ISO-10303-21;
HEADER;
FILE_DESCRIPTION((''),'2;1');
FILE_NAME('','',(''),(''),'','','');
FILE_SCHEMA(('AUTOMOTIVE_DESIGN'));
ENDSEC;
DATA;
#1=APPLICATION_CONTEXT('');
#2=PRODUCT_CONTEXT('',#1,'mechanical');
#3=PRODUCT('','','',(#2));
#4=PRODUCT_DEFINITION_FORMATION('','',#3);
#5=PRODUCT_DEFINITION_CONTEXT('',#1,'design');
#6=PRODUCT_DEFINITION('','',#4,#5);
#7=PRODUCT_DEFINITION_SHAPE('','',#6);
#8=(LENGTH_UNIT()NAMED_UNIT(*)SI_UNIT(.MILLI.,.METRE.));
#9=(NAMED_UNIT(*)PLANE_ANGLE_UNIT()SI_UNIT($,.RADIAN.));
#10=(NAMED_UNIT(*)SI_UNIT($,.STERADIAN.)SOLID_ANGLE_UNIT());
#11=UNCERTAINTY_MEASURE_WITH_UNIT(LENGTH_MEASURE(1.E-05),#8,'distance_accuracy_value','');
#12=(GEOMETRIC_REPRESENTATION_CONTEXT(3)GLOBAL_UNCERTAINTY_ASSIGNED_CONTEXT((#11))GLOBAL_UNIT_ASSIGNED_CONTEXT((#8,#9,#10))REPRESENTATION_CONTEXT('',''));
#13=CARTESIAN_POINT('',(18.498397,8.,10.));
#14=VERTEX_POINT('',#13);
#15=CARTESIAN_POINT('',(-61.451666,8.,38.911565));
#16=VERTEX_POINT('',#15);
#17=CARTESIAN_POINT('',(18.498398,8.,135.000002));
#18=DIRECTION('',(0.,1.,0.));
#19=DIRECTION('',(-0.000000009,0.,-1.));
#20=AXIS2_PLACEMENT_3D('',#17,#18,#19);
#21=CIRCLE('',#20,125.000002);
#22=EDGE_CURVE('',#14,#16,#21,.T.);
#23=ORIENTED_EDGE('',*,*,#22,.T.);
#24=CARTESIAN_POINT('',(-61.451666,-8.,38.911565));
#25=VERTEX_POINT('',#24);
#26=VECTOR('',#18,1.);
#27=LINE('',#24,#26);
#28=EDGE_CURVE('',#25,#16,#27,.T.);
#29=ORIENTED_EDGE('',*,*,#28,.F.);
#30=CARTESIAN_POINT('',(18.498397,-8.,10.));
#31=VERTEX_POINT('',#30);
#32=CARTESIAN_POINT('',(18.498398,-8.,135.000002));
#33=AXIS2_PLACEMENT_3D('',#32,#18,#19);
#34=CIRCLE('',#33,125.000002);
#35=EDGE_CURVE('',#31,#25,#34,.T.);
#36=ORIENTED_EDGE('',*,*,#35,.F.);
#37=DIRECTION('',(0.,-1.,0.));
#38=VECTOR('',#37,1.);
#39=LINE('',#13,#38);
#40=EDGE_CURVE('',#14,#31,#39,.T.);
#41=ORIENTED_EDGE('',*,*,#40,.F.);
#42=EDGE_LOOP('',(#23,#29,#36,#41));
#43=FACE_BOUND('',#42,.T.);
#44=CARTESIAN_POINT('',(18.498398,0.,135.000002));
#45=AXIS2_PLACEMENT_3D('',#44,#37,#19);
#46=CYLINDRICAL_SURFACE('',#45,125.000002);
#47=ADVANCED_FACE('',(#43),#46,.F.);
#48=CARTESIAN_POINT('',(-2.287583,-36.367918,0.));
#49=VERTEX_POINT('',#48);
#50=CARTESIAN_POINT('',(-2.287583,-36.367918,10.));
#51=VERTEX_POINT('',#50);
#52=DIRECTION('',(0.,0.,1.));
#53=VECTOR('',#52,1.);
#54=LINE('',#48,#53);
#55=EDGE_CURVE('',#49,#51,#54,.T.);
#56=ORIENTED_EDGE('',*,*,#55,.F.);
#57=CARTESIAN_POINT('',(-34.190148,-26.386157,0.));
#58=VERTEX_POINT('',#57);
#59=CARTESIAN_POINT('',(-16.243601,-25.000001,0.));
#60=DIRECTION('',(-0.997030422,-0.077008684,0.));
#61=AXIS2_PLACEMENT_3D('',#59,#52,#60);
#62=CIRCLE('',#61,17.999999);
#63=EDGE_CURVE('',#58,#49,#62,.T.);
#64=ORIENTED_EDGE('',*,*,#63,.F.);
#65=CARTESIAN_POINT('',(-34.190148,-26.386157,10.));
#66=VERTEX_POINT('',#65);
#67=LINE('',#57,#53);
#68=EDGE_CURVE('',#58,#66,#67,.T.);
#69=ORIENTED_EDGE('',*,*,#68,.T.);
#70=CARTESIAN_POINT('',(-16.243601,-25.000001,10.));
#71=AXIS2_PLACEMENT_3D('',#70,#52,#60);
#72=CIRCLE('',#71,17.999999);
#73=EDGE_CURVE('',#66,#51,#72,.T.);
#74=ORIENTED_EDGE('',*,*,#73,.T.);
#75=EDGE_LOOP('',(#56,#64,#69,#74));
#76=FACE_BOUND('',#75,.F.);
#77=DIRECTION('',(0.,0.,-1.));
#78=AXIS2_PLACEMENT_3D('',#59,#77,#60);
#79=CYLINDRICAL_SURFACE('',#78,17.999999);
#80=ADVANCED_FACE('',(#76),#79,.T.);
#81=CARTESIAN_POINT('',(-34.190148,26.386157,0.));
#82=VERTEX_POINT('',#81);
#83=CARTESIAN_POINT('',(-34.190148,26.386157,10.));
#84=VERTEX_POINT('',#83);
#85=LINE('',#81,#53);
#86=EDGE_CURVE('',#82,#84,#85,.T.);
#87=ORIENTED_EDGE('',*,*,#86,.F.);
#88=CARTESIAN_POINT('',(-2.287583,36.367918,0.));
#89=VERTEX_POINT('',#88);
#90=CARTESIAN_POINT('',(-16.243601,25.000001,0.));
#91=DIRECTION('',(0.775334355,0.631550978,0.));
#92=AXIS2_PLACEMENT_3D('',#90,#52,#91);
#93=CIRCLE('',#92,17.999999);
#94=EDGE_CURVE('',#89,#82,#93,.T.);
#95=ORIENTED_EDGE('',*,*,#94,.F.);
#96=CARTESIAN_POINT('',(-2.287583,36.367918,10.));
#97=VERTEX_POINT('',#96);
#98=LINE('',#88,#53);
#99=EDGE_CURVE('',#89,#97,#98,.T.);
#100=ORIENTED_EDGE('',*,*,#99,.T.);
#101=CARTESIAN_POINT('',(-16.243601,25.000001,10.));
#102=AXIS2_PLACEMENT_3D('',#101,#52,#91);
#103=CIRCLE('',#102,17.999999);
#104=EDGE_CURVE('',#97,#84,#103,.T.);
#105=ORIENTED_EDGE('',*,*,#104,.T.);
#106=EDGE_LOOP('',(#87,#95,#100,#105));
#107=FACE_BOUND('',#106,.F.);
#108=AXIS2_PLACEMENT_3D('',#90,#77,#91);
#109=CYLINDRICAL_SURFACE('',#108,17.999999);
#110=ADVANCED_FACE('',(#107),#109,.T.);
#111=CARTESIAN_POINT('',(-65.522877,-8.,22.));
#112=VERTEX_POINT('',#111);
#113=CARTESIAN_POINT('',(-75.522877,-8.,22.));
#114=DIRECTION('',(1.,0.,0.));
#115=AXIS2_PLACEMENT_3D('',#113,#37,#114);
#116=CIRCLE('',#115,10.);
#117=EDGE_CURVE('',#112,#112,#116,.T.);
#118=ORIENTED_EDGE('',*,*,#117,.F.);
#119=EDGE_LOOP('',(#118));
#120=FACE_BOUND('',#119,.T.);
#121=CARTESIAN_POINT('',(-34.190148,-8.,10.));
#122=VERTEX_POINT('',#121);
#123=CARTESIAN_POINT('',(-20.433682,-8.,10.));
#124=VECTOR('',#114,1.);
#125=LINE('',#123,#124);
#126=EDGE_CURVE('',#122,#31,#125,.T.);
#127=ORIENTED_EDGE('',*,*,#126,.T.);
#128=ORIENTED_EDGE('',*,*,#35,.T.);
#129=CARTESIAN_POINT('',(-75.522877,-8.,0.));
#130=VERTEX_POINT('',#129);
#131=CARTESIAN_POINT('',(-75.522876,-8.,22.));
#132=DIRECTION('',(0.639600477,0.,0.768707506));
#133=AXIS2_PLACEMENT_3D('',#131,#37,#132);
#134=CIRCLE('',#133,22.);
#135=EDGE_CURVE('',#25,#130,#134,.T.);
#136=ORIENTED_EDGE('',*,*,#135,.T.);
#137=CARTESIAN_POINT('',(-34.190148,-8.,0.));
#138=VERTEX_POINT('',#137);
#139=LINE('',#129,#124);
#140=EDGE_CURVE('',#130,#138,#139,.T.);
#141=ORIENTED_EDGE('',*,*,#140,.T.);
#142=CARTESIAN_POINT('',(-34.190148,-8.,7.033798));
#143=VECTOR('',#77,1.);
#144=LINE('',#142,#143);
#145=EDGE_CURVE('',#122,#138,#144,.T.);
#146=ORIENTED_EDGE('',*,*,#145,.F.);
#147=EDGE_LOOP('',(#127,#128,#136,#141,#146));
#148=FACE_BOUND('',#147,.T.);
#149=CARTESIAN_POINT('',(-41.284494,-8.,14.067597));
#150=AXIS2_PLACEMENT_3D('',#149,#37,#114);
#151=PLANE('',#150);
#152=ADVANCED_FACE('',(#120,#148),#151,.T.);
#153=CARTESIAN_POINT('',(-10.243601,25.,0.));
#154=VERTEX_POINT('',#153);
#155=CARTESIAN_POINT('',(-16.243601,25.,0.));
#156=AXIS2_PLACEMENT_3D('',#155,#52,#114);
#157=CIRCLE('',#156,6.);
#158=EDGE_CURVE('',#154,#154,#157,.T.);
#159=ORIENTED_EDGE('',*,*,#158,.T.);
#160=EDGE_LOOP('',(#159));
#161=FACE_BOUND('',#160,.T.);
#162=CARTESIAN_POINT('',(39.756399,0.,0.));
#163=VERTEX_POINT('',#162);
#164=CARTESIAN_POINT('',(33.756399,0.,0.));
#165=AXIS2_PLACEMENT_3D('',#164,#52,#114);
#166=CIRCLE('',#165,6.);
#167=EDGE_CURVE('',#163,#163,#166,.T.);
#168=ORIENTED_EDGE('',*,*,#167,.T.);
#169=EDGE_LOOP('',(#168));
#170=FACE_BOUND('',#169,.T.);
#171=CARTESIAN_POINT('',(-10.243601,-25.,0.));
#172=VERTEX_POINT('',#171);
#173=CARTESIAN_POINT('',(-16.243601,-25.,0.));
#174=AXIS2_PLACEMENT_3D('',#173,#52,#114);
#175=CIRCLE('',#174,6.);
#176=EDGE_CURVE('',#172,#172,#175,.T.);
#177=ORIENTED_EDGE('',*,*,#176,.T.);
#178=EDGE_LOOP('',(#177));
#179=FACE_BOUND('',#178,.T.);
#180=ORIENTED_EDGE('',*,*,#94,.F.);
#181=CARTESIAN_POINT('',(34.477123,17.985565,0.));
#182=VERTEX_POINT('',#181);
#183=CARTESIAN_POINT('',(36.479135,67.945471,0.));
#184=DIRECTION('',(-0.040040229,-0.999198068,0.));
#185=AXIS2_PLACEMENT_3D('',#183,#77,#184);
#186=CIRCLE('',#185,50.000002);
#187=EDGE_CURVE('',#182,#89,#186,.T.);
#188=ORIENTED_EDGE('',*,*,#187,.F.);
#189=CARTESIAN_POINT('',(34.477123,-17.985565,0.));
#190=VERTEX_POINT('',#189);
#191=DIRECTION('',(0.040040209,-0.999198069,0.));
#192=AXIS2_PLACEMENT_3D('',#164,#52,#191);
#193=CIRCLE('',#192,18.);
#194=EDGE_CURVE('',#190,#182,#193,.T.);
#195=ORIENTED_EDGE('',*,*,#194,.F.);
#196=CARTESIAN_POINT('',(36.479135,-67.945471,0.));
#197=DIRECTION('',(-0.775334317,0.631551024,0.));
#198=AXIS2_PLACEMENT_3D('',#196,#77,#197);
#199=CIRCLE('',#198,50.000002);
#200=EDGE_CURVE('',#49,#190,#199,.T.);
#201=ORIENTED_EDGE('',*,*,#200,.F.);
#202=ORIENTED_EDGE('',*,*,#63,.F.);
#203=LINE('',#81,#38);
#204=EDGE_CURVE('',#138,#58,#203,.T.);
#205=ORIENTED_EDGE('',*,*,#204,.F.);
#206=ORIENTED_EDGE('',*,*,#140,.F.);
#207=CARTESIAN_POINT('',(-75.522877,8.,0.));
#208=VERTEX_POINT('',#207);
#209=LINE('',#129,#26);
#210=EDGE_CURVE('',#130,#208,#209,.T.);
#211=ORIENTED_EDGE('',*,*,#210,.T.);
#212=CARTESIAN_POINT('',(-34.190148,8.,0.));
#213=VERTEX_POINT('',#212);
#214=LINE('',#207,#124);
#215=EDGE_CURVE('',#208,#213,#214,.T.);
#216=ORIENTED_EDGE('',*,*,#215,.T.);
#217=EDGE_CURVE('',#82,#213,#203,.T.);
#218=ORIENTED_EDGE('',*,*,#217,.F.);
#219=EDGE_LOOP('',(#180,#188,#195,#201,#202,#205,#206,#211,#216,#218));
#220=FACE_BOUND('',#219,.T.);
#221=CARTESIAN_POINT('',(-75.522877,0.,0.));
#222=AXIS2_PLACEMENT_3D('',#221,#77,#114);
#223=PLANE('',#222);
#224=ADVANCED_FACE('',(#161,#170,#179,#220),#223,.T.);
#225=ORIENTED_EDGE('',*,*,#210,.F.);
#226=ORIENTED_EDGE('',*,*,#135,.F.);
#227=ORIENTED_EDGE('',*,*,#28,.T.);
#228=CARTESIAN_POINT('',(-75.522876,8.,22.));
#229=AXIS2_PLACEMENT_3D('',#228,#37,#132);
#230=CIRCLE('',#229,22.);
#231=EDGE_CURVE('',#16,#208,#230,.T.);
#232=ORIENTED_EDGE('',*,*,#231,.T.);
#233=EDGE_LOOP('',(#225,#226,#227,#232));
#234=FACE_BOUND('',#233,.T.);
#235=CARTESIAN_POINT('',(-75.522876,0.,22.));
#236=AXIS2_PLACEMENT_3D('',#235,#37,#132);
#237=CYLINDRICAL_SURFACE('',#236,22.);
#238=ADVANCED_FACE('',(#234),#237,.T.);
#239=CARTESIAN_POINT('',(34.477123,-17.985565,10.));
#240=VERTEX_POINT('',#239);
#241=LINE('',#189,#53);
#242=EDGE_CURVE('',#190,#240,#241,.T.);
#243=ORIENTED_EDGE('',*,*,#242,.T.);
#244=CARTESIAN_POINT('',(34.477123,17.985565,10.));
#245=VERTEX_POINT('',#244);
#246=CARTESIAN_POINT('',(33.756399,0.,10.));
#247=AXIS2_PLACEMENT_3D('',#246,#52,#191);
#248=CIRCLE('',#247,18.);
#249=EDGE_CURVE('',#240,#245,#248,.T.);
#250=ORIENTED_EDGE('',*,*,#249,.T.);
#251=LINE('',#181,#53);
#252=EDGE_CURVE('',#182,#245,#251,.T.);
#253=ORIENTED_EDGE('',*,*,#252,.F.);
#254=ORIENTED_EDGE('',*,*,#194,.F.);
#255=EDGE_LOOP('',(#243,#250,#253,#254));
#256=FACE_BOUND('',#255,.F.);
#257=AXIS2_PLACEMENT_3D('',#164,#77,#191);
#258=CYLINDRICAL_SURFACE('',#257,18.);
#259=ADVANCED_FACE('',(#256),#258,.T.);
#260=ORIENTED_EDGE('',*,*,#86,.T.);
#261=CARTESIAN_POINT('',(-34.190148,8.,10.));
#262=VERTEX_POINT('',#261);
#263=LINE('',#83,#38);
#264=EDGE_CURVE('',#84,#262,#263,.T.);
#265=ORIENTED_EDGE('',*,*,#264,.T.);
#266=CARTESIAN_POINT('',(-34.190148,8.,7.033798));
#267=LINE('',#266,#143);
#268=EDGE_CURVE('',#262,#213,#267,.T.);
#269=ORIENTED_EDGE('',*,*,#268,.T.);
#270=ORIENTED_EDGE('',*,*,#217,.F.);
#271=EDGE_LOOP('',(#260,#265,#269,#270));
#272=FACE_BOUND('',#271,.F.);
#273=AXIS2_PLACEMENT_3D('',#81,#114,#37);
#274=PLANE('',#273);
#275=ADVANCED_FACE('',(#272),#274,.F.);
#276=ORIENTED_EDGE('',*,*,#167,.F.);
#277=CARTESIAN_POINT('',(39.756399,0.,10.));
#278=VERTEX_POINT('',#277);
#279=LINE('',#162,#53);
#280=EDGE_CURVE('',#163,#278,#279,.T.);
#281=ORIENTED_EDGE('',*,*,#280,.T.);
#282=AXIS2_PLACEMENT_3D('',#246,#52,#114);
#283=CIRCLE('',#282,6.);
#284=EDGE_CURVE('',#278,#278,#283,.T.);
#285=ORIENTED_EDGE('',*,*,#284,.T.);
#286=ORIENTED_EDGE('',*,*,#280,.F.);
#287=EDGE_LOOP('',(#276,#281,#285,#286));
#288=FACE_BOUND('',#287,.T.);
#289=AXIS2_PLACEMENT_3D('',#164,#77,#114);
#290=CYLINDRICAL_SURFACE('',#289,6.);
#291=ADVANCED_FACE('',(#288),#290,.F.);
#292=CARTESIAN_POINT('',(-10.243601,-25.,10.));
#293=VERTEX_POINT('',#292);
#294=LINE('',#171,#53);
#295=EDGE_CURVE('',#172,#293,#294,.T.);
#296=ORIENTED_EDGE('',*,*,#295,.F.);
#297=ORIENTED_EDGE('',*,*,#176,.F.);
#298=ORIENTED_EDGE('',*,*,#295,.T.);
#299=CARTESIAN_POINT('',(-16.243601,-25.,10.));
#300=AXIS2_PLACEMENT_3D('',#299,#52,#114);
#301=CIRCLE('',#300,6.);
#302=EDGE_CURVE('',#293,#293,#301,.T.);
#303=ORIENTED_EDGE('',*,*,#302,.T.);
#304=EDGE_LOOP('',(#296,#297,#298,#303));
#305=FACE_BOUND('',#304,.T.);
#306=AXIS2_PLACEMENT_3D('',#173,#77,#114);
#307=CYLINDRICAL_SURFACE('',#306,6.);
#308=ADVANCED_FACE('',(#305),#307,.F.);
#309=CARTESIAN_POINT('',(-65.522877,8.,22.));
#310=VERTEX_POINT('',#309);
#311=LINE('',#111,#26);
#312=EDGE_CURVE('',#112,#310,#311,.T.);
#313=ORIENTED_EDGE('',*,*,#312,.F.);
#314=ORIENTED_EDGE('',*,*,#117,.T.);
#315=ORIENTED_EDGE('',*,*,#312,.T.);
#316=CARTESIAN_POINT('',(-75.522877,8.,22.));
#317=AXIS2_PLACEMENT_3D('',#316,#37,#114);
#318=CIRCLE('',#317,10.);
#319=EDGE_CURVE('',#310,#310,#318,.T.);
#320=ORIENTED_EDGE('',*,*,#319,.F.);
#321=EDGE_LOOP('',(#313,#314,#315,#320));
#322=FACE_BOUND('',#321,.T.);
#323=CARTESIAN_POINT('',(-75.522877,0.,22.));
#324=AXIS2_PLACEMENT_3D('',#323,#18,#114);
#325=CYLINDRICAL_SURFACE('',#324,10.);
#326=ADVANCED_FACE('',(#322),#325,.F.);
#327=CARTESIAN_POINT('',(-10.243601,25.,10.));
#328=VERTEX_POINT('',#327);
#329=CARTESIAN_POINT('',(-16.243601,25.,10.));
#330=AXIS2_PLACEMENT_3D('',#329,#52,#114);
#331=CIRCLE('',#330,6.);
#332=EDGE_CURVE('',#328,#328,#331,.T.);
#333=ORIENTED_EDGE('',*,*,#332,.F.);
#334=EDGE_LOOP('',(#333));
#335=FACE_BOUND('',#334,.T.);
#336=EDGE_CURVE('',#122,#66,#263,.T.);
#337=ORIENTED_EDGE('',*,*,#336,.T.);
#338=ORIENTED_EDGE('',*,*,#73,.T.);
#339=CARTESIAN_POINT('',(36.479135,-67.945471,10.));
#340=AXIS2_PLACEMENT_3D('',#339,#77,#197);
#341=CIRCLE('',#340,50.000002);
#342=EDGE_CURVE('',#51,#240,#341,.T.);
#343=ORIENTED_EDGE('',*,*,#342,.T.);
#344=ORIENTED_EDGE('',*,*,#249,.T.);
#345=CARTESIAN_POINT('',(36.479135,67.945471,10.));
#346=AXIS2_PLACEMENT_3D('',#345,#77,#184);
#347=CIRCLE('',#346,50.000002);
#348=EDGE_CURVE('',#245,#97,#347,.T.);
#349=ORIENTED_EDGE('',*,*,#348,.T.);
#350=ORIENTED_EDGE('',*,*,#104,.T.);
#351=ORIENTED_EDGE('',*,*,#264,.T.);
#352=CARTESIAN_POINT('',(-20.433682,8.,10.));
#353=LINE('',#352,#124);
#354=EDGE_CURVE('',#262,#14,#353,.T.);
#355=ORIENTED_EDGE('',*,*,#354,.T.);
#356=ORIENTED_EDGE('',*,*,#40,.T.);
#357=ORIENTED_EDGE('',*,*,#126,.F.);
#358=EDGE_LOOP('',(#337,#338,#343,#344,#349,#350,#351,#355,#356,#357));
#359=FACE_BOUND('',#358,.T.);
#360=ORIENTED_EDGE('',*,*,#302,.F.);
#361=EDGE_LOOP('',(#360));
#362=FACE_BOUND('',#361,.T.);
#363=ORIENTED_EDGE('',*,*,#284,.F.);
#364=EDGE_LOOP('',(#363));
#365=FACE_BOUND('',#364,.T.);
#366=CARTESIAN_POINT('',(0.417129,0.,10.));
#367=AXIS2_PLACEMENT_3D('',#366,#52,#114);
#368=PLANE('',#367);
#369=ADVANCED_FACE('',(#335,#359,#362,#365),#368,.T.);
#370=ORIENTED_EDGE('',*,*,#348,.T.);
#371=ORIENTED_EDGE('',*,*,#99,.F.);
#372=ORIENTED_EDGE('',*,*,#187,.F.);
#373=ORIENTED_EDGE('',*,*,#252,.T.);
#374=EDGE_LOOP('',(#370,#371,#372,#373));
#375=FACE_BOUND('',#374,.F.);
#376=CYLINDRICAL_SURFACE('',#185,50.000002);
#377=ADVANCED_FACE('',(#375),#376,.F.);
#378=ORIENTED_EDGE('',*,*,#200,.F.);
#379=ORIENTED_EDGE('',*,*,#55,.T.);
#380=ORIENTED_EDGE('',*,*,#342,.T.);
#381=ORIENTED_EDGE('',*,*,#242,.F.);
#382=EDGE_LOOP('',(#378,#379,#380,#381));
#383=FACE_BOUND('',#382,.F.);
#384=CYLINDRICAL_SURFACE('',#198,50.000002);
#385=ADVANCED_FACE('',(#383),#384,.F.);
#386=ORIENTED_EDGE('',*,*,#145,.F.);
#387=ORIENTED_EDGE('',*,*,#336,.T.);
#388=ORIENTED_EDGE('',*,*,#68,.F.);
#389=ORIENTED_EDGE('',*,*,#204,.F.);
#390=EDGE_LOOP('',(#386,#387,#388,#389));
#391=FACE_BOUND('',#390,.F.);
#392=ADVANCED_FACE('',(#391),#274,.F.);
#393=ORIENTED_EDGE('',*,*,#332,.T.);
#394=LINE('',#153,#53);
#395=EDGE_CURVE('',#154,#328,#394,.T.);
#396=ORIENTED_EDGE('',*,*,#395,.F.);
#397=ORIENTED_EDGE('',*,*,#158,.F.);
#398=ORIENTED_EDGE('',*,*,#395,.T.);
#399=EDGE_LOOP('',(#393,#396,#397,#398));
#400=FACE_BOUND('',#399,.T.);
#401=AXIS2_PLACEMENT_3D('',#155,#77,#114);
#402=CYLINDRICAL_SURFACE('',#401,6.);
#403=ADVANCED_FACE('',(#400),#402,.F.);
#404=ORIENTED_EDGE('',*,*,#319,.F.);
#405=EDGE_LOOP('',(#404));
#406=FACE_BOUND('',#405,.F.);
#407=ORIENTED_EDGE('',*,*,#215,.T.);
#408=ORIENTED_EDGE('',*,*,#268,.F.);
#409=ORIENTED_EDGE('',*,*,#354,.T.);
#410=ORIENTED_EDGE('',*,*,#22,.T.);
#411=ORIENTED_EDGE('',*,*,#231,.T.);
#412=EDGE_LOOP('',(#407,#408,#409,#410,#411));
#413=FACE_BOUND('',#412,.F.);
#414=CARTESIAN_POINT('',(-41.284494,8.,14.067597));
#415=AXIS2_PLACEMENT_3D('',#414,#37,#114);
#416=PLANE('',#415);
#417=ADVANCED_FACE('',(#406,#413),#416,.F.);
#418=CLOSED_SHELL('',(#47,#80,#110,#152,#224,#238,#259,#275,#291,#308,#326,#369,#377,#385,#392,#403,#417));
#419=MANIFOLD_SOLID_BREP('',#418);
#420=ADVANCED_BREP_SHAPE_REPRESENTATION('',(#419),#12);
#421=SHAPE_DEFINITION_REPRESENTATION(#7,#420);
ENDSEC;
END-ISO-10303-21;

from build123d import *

# Parameters (mm, degrees)
F0_R     = 6
F1_DEPTH = 10
F2_R     = 10
F3_DEPTH = 8


with BuildPart() as f1:
    # F0 (on Top) → F1 (new body)
    with BuildSketch(Plane.XY):
        with BuildLine():
            ThreePointArc((-2.287583, -36.367918), (14.118454, -23.224109), (34.477123, -17.985565))
            ThreePointArc((34.477123, -17.985565), (51.756399, 0), (34.477123, 17.985565))
            ThreePointArc((34.477123, 17.985565), (14.118454, 23.224109), (-2.287583, 36.367918))
            ThreePointArc((-2.287583, 36.367918), (-21.61854, 42.178767), (-34.190148, 26.386157))
            Line((-34.190148, 26.386157), (-34.190148, 23.613843))
            Line((-34.190148, 23.613843), (-34.190148, -23.613843))
            Line((-34.190148, -23.613843), (-34.190148, -26.386157))
            ThreePointArc((-34.190148, -26.386157), (-21.61854, -42.178767), (-2.287583, -36.367918))
        make_face()
        with Locations((-16.243601, -25)):
            Circle(F0_R, mode=Mode.SUBTRACT)
        with Locations((33.756399, 0)):
            Circle(F0_R, mode=Mode.SUBTRACT)
        with Locations((-16.243601, 25)):
            Circle(F0_R, mode=Mode.SUBTRACT)
    extrude(amount=F1_DEPTH)

    # F2 (on Front) → F3 (join, symmetric)
    with BuildSketch(Plane.XZ):
        with BuildLine():
            Line((-75.522877, 0), (18.498397, 0))
            Line((18.498397, 0), (18.498397, 10))
            ThreePointArc((18.498397, 10), (-24.010105, 17.449895), (-61.451666, 38.911565))
            ThreePointArc((-61.451666, 38.911565), (-96.211695, 29.481496), (-75.522877, 0))
        make_face()
        with Locations((-75.522877, 22)):
            Circle(F2_R, mode=Mode.SUBTRACT)
    extrude(amount=F3_DEPTH, both=True)


solid = f1.part
